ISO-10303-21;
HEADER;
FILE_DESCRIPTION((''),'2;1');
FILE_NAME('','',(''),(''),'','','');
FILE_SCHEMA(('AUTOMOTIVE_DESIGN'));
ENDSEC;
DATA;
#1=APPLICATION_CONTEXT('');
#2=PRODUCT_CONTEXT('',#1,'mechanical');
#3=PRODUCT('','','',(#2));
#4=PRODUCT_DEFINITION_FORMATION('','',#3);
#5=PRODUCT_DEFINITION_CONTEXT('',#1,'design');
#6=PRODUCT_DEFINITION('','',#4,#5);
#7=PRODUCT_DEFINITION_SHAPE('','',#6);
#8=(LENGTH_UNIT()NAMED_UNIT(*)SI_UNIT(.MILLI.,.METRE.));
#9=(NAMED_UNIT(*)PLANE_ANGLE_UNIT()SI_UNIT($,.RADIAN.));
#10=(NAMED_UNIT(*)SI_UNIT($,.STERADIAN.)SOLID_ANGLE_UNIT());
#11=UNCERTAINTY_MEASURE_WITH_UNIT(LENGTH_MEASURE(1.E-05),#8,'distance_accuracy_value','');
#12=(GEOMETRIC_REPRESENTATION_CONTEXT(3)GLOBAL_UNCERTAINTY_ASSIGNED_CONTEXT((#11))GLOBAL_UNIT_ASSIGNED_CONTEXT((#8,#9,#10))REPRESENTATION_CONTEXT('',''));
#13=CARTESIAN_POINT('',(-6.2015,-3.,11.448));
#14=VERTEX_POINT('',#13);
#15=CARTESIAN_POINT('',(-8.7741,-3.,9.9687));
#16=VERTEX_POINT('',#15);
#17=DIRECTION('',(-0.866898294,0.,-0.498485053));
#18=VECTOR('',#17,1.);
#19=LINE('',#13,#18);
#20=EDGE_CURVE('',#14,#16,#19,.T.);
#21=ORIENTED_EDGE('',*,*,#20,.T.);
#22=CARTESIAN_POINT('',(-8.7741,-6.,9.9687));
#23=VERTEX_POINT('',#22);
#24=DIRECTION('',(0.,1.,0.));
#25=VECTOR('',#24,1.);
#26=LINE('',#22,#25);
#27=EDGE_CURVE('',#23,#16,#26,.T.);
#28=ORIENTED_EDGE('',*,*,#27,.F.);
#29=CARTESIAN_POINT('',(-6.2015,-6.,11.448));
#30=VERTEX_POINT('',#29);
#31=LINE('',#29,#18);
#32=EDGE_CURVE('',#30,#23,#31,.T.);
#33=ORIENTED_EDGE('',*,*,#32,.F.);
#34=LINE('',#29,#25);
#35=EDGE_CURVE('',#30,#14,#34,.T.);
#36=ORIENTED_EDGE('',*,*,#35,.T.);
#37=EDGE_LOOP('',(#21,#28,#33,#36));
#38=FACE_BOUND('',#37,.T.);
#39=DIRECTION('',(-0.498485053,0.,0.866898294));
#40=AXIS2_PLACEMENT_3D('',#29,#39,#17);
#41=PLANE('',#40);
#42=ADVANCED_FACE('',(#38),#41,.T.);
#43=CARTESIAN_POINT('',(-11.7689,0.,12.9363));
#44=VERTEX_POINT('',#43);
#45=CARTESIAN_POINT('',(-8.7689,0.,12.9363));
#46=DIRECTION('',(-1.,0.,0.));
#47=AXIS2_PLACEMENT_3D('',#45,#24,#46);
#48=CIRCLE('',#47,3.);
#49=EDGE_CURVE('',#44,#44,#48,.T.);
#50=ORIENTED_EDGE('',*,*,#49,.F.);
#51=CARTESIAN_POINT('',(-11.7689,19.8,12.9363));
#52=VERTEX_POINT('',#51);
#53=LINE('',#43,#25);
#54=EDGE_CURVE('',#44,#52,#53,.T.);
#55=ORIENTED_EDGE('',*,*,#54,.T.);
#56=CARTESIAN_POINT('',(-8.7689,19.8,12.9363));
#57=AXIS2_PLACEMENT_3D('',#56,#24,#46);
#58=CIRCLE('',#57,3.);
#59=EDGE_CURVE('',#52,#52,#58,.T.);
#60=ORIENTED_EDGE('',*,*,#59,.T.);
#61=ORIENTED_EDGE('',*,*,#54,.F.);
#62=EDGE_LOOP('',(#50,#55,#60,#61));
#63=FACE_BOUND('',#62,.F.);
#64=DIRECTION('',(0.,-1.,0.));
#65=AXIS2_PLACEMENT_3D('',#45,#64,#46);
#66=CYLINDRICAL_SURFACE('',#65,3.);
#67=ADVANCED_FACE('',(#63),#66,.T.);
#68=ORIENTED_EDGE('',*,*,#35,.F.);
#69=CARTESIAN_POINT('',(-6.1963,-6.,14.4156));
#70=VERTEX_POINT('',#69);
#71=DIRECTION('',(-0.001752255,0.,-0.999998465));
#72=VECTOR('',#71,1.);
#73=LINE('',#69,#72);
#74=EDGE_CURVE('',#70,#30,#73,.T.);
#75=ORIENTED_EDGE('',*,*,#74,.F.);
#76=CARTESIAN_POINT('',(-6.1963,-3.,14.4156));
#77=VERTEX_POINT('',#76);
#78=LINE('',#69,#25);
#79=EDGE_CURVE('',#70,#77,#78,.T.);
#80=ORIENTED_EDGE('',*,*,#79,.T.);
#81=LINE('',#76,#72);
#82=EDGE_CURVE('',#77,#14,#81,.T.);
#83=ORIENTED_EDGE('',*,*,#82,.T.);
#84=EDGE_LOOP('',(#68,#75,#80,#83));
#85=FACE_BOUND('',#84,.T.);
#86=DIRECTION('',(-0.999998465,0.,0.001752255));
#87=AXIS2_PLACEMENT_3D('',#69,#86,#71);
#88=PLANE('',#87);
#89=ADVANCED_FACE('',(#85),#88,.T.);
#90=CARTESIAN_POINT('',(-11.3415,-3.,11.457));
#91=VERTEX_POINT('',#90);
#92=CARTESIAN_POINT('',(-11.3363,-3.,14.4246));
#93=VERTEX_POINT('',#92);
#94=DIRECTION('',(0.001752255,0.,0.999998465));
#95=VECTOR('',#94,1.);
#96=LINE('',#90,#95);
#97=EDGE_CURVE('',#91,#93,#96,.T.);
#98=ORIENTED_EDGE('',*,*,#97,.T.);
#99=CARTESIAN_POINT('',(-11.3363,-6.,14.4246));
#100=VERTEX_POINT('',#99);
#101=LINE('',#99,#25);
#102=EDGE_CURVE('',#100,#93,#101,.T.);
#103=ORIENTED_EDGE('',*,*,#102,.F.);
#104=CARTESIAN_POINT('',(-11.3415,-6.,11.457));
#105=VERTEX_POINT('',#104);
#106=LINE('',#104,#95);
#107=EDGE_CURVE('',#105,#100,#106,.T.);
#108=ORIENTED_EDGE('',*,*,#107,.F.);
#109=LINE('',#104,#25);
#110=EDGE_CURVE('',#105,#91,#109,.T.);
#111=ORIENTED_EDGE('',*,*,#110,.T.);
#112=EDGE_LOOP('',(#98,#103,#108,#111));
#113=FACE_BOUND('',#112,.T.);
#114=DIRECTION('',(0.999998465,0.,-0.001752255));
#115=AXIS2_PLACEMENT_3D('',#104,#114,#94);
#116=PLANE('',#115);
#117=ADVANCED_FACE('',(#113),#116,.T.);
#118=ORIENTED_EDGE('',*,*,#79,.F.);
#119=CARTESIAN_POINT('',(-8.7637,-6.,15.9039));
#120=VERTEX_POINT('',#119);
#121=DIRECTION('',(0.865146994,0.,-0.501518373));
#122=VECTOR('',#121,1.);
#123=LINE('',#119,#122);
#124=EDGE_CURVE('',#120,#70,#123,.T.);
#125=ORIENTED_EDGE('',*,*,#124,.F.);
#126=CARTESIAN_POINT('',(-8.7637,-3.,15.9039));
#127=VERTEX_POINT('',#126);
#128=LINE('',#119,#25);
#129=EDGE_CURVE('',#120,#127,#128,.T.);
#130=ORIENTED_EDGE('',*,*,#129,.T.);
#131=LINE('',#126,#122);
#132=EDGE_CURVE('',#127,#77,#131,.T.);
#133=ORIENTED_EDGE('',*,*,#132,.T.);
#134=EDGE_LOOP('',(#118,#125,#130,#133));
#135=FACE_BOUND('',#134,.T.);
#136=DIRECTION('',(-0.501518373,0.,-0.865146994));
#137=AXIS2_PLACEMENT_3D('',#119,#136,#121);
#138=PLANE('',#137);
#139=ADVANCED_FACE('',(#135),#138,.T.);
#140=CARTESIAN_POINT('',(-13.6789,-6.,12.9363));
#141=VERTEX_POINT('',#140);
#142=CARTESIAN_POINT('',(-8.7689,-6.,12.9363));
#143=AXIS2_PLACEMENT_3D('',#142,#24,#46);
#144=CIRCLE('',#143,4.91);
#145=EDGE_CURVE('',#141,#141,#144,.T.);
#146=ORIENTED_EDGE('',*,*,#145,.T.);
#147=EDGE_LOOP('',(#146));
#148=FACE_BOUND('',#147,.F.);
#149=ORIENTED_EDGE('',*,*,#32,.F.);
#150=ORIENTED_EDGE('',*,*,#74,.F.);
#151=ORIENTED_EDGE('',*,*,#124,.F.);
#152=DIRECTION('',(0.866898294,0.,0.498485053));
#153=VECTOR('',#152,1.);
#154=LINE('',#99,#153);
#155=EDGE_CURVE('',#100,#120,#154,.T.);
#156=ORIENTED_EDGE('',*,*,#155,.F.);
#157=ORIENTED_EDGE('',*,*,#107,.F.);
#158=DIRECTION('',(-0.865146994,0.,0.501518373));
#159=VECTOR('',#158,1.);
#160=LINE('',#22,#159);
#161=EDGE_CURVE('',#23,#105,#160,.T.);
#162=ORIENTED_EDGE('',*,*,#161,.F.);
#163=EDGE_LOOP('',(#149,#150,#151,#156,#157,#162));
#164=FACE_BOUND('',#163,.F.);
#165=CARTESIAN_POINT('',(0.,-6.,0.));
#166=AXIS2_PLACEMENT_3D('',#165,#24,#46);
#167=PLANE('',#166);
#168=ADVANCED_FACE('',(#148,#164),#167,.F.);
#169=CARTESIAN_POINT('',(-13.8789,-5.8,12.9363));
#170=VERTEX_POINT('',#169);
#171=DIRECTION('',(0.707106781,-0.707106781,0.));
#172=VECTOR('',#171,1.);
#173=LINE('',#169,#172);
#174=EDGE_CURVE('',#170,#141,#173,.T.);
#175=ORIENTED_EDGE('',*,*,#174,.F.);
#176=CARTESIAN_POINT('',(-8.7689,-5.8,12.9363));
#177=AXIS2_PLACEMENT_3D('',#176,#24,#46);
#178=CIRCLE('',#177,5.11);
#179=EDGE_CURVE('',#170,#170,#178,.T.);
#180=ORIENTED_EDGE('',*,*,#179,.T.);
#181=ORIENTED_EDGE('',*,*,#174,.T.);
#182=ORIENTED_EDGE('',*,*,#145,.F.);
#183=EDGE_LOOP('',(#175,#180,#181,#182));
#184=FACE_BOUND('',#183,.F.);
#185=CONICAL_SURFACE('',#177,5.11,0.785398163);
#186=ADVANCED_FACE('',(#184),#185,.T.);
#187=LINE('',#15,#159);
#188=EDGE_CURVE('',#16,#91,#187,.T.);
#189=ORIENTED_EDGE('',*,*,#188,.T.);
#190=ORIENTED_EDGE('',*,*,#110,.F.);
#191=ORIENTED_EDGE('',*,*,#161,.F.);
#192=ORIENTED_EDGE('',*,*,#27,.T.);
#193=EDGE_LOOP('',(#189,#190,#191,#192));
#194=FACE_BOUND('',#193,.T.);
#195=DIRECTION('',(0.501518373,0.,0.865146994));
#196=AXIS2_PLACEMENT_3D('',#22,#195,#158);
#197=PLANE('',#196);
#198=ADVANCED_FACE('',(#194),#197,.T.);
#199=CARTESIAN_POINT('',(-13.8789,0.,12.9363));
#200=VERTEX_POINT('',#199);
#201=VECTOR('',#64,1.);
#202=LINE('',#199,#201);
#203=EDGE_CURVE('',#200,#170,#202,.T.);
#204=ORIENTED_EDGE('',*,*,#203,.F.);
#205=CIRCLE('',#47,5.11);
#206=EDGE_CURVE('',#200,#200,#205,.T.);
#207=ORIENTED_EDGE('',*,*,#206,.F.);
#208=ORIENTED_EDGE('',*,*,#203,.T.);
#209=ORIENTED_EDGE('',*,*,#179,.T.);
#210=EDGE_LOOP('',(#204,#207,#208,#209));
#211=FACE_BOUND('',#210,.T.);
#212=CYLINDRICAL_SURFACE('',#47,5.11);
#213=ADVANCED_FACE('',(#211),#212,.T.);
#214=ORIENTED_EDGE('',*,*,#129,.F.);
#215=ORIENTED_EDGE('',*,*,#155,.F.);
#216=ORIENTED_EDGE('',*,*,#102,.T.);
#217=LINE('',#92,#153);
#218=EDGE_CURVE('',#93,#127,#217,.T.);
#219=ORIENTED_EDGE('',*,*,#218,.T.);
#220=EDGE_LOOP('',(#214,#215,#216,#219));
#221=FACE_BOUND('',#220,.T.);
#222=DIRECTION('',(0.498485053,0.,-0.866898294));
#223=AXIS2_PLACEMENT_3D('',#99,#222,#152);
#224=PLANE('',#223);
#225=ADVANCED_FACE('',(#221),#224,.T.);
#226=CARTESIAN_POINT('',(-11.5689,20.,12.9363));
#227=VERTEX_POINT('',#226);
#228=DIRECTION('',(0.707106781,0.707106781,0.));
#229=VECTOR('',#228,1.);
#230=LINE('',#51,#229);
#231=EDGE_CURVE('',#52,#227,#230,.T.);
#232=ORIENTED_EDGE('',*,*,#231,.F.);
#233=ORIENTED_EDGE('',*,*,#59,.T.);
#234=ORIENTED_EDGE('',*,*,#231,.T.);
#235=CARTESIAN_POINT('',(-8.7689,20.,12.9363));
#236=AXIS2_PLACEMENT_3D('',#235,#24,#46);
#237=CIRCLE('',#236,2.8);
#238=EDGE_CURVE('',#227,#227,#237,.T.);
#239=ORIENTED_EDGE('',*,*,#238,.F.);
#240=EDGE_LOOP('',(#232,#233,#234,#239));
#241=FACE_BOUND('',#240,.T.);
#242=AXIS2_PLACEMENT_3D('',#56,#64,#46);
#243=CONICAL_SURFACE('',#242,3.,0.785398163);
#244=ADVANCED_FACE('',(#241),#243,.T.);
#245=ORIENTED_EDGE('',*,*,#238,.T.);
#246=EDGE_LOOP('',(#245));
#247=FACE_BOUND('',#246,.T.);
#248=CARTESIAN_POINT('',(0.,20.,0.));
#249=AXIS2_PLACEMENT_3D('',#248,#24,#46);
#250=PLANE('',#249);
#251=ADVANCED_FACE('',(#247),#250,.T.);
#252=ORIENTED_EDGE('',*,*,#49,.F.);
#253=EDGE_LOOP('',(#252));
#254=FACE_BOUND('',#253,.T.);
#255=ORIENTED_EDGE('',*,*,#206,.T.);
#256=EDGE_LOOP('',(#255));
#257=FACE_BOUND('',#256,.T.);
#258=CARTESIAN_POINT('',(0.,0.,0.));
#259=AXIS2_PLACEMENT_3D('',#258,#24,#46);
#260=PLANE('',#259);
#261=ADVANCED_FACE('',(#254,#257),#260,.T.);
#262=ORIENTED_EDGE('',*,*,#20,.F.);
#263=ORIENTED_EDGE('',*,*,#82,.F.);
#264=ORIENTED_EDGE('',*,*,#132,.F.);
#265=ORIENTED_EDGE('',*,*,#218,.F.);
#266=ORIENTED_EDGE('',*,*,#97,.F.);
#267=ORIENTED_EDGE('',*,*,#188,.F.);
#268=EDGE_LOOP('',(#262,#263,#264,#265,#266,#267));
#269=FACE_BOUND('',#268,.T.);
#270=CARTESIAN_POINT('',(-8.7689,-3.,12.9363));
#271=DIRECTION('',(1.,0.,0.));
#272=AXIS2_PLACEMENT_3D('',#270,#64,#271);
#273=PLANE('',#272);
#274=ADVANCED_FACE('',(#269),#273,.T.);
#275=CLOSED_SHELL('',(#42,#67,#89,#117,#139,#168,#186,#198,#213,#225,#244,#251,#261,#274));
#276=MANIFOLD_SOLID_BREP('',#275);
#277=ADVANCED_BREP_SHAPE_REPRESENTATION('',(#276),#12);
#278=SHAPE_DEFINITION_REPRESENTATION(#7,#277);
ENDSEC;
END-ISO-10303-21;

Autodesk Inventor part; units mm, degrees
ref_plane "YZ Plane" through (0, 0, 0) normal (1, 0, 0) x (0, 1, 0)
ref_plane "XZ Plane" through (0, 0, 0) normal (0, 1, 0) x (-1, 0, 0)
ref_plane "XY Plane" through (0, 0, 0) normal (0, 0, 1) x (1, 0, 0)
sketch "Boceto1" plane through (0, 0, 0) normal (0, 1, 0) x (-1, 0, 0)
  circle A0 centre (8.7689, 12.9363) radius 3
  circle A1 centre (8.7689, 12.9363) radius 5.11
  point P0 (0, 0)
  dimension "d0" = 6
  dimension "d1" = 10.22
extrude "Extrusión1" add sketch "Boceto1" along normal blind 20 contours A0
extrude "Extrusión2" add sketch "Boceto1" against normal blind 6 contours A0 | A1
sketch "Boceto2" plane through (-8.7689, -6, 12.9363) normal (0, -1, 0) x (1, 0, 0)
  line L0 (-2.5726, -1.4793) -> (-2.5674, 1.4883)
  line L1 (-2.5674, 1.4883) -> (0.0052, 2.9676)
  line L2 (0.0052, 2.9676) -> (2.5726, 1.4793)
  line L3 (2.5726, 1.4793) -> (2.5674, -1.4883)
  line L4 (2.5674, -1.4883) -> (-0.0052, -2.9676)
  line L5 (-0.0052, -2.9676) -> (-2.5726, -1.4793)
  point P0 (8.7689, -12.9363)
  point P1 (0, 0)
  dimension "d6" = 5.14
extrude "Extrusión3" cut sketch "Boceto2" against normal blind 3
thread "Rosca1" size "M6x1" class "6g" standard "ISO Metric profile" length 430
chamfer "Chaflán1" distance 0.2 angle 45 1 edges at (-3.6589, -6, 12.9363) measured on face at (-12.1856, -6, 12.9393)
chamfer "Chaflán2" distance 0.2 angle 45 1 edges at (-5.7689, 20, 12.9363) measured on face at (-7.9784, 20, 13.0158)
properties part number "Tornillo allen cabeza cilindrica M6x20mm"
